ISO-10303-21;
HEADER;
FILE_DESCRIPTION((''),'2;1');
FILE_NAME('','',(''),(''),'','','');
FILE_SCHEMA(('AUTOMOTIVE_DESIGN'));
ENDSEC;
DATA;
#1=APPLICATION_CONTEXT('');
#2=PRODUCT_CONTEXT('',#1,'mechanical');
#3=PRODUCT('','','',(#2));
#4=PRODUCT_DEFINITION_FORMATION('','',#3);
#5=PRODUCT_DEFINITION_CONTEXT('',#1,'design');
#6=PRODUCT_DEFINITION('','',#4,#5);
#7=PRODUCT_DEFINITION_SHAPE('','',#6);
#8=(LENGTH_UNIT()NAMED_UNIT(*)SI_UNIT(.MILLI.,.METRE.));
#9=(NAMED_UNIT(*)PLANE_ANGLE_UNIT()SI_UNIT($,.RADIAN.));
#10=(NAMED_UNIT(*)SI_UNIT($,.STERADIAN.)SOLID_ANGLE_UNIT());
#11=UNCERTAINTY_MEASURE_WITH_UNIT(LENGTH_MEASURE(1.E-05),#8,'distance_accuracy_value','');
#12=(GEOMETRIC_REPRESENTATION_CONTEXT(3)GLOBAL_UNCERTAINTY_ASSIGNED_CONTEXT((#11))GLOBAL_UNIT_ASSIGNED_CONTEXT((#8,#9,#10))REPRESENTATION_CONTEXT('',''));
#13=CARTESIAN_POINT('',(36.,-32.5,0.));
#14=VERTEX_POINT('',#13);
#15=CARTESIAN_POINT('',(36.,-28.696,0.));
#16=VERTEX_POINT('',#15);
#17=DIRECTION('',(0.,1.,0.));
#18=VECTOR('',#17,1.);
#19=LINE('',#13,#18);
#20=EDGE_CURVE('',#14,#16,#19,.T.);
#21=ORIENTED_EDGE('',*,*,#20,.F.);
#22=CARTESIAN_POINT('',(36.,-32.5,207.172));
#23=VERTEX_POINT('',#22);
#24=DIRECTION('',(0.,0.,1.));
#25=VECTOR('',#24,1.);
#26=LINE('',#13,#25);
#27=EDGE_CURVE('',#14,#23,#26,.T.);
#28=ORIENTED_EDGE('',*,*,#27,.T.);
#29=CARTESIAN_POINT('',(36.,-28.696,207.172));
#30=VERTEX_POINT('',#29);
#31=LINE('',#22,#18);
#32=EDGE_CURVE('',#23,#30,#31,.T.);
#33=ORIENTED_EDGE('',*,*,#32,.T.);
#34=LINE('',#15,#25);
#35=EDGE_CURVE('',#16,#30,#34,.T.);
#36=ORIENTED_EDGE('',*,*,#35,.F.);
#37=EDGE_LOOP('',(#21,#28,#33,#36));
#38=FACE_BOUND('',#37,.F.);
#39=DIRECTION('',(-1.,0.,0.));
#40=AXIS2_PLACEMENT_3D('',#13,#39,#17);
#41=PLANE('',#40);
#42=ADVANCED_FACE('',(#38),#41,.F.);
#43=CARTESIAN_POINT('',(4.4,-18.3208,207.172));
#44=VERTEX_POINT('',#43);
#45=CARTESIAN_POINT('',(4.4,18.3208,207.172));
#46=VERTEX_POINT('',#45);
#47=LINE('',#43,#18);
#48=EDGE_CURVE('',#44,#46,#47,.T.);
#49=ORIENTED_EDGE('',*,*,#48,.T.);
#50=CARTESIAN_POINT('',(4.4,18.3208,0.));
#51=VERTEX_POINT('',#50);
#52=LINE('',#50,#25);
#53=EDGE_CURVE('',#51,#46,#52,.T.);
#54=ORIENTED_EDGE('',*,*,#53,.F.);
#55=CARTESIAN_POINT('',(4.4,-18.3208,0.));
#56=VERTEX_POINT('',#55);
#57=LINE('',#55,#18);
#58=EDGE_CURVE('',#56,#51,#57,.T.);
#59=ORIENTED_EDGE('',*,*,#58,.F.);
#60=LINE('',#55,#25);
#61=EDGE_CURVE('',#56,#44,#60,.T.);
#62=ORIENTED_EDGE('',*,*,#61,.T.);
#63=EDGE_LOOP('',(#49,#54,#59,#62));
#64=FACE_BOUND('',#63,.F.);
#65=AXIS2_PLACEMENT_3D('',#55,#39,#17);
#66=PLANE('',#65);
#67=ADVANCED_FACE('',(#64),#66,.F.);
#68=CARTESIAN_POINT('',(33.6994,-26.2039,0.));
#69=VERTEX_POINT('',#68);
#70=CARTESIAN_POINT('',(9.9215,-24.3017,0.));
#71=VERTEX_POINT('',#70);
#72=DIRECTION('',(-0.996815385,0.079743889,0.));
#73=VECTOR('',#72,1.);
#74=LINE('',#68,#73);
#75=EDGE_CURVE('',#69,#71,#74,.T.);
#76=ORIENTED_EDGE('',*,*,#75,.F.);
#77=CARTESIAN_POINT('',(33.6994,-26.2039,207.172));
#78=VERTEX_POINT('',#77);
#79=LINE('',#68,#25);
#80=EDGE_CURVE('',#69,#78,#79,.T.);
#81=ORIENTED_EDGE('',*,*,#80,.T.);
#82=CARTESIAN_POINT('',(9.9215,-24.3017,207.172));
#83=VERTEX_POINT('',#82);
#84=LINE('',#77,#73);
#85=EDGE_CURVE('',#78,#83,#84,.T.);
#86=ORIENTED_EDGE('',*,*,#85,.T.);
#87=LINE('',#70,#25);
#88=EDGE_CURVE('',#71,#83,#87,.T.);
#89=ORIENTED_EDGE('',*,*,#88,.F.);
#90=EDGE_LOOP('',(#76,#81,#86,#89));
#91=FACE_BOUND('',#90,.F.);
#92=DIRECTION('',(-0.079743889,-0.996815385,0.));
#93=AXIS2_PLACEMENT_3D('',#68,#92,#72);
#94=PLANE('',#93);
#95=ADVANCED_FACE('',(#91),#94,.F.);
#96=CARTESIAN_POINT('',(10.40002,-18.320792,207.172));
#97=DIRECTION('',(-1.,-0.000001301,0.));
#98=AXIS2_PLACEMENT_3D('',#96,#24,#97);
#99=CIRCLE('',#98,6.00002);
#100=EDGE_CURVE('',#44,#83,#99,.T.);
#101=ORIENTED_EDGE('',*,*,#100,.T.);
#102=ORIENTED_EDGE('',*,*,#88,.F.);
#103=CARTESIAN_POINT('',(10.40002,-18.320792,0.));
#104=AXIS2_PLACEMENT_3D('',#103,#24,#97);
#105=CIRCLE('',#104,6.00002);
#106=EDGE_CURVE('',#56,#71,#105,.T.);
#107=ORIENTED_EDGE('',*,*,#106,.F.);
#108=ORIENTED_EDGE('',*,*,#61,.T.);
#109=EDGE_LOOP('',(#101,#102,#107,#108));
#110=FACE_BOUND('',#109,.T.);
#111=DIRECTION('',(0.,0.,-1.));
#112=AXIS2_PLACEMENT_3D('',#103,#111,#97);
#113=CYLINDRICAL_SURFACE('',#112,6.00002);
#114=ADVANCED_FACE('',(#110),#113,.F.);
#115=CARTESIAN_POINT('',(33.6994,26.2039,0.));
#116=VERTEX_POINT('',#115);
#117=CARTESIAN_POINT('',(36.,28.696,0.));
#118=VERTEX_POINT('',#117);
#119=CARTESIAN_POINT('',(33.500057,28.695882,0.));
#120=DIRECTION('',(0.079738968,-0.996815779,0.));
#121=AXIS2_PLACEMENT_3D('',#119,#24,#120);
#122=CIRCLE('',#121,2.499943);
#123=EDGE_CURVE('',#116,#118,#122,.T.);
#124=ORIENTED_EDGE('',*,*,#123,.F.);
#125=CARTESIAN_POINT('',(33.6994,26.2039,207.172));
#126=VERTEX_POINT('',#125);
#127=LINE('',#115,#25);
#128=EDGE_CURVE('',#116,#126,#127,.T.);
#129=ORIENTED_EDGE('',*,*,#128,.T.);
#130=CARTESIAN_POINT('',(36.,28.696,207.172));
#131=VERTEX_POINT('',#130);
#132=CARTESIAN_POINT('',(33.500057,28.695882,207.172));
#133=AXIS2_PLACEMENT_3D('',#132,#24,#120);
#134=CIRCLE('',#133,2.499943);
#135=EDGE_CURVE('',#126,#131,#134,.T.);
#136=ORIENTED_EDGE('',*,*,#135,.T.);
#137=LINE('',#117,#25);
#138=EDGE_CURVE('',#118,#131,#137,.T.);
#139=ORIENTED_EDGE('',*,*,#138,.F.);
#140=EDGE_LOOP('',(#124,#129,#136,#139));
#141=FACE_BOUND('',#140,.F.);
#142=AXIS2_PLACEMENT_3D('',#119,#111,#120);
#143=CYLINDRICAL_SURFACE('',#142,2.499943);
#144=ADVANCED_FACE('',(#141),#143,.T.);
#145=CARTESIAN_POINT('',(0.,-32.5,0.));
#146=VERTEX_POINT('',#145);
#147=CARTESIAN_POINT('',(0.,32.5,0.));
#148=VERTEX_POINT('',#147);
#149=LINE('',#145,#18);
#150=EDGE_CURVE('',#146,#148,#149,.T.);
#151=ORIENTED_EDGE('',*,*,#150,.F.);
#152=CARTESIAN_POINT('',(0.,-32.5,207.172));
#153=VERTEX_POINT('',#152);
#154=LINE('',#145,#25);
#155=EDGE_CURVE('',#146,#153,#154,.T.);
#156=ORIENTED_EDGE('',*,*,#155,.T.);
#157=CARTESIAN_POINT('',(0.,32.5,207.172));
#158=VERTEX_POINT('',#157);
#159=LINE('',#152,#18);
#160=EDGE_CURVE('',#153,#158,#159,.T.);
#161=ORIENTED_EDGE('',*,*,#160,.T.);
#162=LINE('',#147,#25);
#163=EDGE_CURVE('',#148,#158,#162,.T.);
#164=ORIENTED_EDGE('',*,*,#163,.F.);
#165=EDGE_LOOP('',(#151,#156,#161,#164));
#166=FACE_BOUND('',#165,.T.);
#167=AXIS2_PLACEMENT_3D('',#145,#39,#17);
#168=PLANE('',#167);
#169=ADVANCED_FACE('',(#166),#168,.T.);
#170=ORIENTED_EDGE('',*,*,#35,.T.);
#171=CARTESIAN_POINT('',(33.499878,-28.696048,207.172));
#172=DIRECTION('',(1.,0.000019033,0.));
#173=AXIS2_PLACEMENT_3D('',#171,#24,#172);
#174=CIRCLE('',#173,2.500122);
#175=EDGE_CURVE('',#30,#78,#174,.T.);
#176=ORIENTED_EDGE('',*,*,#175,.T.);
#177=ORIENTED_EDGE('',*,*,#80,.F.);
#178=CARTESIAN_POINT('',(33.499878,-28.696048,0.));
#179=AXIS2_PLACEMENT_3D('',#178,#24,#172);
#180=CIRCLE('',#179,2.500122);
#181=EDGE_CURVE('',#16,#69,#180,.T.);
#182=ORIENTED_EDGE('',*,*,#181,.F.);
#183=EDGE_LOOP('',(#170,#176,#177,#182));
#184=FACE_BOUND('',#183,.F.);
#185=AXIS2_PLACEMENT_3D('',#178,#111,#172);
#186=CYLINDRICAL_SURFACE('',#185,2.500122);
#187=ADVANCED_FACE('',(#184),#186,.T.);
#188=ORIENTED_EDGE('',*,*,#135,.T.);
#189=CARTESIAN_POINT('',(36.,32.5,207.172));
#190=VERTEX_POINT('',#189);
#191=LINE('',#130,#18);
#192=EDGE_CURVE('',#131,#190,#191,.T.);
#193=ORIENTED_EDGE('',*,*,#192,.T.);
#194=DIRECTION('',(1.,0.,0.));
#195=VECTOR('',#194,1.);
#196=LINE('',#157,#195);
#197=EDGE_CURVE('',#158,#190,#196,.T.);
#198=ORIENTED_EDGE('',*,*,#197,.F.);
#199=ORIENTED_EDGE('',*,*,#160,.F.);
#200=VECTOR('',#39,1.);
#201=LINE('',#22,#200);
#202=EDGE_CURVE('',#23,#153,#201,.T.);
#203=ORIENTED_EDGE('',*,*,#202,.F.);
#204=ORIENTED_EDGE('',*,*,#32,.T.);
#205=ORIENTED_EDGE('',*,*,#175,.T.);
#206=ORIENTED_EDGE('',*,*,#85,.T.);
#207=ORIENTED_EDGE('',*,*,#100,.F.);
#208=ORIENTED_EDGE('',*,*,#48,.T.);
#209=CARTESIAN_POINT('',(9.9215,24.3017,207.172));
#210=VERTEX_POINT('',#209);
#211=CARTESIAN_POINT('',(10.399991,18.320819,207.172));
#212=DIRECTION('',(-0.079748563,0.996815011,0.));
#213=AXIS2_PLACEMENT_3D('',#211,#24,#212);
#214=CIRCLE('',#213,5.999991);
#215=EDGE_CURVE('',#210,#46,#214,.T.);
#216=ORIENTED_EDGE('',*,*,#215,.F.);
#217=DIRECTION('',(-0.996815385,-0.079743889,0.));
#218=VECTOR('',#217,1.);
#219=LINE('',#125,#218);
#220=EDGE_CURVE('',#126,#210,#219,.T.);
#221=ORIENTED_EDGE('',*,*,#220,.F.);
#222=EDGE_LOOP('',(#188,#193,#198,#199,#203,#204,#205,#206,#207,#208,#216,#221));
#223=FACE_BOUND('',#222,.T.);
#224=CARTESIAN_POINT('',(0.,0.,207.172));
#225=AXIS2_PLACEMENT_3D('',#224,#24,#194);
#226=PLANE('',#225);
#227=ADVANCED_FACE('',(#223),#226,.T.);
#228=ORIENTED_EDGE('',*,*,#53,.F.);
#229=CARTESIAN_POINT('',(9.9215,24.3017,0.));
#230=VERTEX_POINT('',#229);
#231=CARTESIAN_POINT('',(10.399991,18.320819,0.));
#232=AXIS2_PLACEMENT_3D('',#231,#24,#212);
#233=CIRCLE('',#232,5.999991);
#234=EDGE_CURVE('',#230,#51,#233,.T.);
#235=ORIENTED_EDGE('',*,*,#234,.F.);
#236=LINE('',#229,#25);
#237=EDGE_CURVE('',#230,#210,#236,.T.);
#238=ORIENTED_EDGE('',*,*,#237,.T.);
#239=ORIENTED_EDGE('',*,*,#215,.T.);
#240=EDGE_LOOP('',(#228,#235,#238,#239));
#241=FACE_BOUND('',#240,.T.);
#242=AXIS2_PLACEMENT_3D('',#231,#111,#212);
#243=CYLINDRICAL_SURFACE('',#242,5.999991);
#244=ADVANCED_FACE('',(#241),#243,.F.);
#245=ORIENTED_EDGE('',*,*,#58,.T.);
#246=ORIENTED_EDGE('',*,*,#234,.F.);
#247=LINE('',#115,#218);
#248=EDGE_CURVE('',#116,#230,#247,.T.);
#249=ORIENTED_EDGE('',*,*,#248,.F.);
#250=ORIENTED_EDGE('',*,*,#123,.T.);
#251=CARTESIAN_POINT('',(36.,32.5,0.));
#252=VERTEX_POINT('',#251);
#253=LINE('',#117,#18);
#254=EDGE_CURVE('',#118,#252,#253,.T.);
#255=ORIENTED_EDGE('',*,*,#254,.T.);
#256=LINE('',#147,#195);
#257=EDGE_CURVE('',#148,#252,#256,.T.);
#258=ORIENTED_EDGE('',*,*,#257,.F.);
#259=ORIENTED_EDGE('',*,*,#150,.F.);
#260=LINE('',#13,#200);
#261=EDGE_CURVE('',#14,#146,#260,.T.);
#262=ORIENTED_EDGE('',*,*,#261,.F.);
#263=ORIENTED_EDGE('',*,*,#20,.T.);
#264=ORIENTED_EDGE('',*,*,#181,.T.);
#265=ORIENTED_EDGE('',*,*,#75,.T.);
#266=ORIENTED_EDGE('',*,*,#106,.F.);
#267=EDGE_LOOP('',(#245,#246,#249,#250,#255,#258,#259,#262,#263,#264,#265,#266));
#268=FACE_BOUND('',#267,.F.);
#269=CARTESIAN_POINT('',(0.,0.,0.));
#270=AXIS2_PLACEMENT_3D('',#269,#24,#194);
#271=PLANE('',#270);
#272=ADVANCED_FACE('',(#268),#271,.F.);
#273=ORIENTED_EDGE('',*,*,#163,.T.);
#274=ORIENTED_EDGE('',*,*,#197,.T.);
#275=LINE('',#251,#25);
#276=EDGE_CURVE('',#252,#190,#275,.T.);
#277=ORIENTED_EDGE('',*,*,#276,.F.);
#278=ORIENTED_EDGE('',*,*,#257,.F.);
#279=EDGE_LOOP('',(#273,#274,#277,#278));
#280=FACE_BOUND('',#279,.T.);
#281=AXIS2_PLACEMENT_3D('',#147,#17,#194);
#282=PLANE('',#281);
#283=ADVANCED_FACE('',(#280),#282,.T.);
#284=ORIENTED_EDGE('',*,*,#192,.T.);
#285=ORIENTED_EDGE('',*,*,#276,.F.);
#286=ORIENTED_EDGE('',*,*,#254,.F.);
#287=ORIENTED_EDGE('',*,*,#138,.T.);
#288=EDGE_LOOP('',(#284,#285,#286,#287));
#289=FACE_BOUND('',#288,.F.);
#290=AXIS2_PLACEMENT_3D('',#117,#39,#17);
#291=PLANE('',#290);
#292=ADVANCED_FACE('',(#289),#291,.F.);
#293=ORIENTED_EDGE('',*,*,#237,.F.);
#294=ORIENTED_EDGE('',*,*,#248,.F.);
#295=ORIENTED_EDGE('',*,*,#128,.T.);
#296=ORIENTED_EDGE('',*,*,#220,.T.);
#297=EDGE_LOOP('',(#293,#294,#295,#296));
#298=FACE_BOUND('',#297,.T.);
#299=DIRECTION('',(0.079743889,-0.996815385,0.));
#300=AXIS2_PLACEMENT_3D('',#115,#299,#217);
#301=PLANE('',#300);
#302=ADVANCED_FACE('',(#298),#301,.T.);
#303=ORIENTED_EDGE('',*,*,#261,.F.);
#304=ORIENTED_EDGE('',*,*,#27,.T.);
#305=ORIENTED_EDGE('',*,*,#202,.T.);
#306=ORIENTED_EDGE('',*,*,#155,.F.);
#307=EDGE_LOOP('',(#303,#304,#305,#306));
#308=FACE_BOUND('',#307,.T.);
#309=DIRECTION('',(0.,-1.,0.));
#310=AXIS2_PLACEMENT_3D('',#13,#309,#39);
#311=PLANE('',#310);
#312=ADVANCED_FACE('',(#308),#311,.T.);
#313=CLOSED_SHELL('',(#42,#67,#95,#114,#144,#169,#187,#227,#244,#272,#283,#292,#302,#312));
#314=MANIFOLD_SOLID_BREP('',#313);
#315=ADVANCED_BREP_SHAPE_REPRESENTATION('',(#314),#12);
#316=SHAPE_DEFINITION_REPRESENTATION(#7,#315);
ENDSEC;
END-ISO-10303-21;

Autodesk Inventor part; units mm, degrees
ref_plane "YZ Plane" through (0, 0, 0) normal (1, 0, 0) x (0, 1, 0)
ref_plane "Начальная плоскость" through (0, 0, 0) normal (0, 0, 1) x (1, 0, 0)
ref_plane "Конечная плоскость" through (0, 0, 207.172) normal (0, 0, 1) x (1, 0, 0)
sketch "Эскиз" plane through (0, 0, 0) normal (0, 0, 1) x (1, 0, 0)
  line L0 (36, -32.5) -> (0, -32.5)
  line L1 (36, -32.5) -> (36, -28.696)
  line L2 (33.6994, -26.2039) -> (9.9215, -24.3017)
  line L3 (4.4, -18.3208) -> (4.4, 18.3208)
  line L4 (33.6994, 26.2039) -> (9.9215, 24.3017)
  line L5 (36, 28.696) -> (36, 32.5)
  line L6 (0, 32.5) -> (36, 32.5)
  line L7 (0, -32.5) -> (0, 32.5)
  arc A0 (4.4, -18.3208) -> (9.9215, -24.3017) centre (10.4, -18.3208) ccw
  arc A1 (9.9215, 24.3017) -> (4.4, 18.3208) centre (10.4, 18.3208) ccw
  arc A2 (36, -28.696) -> (33.6994, -26.2039) centre (33.5, -28.696) ccw
  arc A3 (33.6994, 26.2039) -> (36, 28.696) centre (33.5, 28.696) ccw
  line L8 (0, 45.5) -> (0, -45.5) construction
  line L9 (-7.2974, 0) -> (43.7847, 0) construction
  point P0 (36, -26.388)
  point P1 (4.4, -23.86)
  point P2 (4.4, 23.86)
  point P3 (36, 26.388)
  dimension "d3" = 36
  dimension "d5" = 4.4
  dimension "d7" = 65
  dimension "d9" = 8.64
  dimension "d11" = 8.64
  dimension "d13" = 6.112
  dimension "d15" = 6.112
  dimension "d22" = 6
  dimension "d23" = 2.5
  dimension "d24" = 32.5
  dimension "d25" = 0
extrude "Тело" add sketch "Эскиз" along normal up to surface (207.172 mm away) from surface at 0
sketch "Sketch3" plane through (0, 0, 0) normal (0, 0, 1) x (1, 0, 0)
  line L0 (0, 0) -> (10, 0)
ref_plane "Work Plane7" through (0, 0, 0) normal (0, -1, 0) x (1, 0, 0)
sketch "Sketch4" plane through (0, 0, 0) normal (0, -1, 0) x (1, 0, 0)
  line L0 (-2, 0) -> (12, 0)
  line L1 (-2, 207.172) -> (12, 207.172)
  dimension "d29" = 207.172
equation "\"d3\" = b"
equation "\"d5\" = t1"
equation "\"d7\" = ParH"
equation "\"d9\" = msp_x1 + t2"
equation "\"d11\" = msp_x1 + t2"
equation "\"d13\" = -msp_x2 + t2"
equation "\"d15\" = -msp_x2 + t2"
equation "\"d22\" = R"
equation "\"d23\" = R1"
equation "\"d24\" = 0.5 * d7"
equation "\"d16\" = G_L"
equation "\"R1\" = 2.5"
equation "\"R\" = 6"
equation "\"t1\" = 4.4"
equation "\"t2\" = 7.2"
equation "\"ParH\" = 65"
equation "\"b\" = 36"
equation "\"msp_x1\" = 0.04 * b"
equation "\"msp_x2\" = -0.08 * t1 + 0.04 * b"
equation "\"G_L\" = d29"
equation "\"ex\" = 0"
equation "\"G_OFFSET_START\" = 0"
equation "\"G_OFFSET_END\" = 0"
equation "\"d27\" = G_OFFSET_END + B_L"
equation "\"B_L\" = 207.172"
properties part number "Швеллер 6.5U-207,17 ГОСТ 8240-97" material "Сталь, мягкая"
